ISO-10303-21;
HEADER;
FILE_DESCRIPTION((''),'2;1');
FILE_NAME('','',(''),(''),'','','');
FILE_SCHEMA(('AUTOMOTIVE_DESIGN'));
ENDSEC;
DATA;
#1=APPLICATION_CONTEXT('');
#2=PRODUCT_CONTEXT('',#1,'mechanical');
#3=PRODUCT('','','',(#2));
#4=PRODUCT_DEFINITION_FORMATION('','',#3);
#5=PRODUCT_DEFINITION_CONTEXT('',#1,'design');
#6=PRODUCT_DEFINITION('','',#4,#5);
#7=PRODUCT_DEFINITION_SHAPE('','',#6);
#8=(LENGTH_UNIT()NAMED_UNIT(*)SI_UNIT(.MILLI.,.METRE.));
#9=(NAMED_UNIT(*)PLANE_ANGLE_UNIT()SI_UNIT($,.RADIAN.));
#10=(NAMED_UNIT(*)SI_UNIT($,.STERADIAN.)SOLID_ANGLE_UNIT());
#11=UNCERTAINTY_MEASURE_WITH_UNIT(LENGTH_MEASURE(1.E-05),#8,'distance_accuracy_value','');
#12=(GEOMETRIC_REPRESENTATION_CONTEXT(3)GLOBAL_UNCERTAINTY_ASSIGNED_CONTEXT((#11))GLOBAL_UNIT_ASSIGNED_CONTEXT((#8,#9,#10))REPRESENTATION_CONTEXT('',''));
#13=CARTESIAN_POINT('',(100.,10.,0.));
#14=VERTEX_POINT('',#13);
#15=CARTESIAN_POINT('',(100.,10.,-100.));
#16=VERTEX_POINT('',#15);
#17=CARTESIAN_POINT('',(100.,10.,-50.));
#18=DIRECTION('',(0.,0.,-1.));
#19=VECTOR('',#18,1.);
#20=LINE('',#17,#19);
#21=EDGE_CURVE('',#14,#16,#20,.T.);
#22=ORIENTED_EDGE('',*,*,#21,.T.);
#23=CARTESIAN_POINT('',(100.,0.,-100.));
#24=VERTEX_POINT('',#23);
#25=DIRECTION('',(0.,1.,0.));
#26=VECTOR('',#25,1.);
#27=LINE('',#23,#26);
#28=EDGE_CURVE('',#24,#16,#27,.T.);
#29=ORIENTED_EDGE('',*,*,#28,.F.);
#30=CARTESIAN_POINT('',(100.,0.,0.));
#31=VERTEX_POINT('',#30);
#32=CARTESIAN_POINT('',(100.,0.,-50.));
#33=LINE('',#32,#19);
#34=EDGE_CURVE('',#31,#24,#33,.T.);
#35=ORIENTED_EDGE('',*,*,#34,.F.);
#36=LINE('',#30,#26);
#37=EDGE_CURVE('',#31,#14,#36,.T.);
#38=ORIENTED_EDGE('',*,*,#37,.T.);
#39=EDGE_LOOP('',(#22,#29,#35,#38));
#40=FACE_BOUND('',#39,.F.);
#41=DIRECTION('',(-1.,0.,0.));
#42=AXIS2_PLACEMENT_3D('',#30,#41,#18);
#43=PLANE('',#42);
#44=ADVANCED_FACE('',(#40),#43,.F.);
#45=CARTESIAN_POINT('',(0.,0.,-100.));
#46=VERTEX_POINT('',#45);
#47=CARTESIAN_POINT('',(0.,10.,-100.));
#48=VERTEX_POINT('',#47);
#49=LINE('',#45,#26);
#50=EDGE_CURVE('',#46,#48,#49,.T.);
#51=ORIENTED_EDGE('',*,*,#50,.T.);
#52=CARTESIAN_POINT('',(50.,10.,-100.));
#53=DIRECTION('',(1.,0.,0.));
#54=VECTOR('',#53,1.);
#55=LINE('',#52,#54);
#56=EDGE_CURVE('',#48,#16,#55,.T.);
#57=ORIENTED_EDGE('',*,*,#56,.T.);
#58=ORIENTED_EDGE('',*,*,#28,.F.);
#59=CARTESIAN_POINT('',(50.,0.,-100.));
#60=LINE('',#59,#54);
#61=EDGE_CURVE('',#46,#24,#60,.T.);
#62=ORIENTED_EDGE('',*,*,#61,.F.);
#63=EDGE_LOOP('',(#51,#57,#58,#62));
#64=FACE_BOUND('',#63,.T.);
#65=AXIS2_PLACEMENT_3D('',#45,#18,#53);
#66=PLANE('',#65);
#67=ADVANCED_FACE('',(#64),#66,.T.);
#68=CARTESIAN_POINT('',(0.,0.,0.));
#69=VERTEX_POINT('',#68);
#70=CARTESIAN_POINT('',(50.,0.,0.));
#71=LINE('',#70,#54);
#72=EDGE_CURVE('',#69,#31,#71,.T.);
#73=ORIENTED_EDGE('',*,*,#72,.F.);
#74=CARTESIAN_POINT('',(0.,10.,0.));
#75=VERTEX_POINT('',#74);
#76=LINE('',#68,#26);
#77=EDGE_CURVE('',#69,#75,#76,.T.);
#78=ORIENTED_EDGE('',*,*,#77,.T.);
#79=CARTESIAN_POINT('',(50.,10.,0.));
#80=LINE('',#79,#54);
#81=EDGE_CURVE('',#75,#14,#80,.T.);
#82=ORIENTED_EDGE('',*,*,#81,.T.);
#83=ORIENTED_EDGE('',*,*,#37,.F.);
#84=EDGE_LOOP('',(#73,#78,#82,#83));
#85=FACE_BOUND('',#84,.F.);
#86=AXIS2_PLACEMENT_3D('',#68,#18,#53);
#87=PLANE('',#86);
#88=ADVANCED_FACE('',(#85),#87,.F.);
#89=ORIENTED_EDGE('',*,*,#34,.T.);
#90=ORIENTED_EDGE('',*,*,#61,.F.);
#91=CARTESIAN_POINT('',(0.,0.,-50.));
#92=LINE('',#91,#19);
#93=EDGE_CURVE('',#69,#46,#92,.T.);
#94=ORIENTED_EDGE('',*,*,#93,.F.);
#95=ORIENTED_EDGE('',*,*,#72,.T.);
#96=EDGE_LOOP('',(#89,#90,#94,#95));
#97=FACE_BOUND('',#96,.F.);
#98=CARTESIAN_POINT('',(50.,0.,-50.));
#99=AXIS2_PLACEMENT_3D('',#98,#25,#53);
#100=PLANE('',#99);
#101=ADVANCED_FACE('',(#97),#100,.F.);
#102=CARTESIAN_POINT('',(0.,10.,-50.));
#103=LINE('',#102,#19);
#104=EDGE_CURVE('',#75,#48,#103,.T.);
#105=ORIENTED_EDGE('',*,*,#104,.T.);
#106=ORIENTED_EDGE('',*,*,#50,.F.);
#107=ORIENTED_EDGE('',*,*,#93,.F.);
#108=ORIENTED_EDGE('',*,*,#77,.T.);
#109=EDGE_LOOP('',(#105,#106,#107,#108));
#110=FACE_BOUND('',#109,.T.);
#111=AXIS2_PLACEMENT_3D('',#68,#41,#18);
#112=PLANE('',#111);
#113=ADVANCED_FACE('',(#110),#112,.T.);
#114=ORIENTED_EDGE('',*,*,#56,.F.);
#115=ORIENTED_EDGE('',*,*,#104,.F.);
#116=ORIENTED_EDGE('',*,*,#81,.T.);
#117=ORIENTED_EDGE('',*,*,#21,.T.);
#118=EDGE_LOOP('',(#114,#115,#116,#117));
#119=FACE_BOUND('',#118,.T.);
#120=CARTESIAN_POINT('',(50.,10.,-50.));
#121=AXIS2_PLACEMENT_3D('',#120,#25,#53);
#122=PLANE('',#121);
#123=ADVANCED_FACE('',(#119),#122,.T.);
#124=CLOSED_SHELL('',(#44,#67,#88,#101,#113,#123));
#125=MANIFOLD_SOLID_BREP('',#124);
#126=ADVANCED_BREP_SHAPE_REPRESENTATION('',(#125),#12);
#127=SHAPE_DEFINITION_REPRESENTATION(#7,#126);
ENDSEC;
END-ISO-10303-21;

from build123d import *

# Parameters (mm, degrees)
SKETCH1_W           = 100
SKETCH1_H           = 100
BOSS_EXTRUDE1_DEPTH = 10


with BuildPart() as part:
    # Sketch1 → Boss-Extrude1 (new body)
    with BuildSketch(Plane(origin=(0, 0, 0), x_dir=(1, 0, 0), z_dir=(0, 1, 0))):
        with Locations((50, 50)):
            Rectangle(SKETCH1_W, SKETCH1_H)
    extrude(amount=BOSS_EXTRUDE1_DEPTH)


solid = part.part
